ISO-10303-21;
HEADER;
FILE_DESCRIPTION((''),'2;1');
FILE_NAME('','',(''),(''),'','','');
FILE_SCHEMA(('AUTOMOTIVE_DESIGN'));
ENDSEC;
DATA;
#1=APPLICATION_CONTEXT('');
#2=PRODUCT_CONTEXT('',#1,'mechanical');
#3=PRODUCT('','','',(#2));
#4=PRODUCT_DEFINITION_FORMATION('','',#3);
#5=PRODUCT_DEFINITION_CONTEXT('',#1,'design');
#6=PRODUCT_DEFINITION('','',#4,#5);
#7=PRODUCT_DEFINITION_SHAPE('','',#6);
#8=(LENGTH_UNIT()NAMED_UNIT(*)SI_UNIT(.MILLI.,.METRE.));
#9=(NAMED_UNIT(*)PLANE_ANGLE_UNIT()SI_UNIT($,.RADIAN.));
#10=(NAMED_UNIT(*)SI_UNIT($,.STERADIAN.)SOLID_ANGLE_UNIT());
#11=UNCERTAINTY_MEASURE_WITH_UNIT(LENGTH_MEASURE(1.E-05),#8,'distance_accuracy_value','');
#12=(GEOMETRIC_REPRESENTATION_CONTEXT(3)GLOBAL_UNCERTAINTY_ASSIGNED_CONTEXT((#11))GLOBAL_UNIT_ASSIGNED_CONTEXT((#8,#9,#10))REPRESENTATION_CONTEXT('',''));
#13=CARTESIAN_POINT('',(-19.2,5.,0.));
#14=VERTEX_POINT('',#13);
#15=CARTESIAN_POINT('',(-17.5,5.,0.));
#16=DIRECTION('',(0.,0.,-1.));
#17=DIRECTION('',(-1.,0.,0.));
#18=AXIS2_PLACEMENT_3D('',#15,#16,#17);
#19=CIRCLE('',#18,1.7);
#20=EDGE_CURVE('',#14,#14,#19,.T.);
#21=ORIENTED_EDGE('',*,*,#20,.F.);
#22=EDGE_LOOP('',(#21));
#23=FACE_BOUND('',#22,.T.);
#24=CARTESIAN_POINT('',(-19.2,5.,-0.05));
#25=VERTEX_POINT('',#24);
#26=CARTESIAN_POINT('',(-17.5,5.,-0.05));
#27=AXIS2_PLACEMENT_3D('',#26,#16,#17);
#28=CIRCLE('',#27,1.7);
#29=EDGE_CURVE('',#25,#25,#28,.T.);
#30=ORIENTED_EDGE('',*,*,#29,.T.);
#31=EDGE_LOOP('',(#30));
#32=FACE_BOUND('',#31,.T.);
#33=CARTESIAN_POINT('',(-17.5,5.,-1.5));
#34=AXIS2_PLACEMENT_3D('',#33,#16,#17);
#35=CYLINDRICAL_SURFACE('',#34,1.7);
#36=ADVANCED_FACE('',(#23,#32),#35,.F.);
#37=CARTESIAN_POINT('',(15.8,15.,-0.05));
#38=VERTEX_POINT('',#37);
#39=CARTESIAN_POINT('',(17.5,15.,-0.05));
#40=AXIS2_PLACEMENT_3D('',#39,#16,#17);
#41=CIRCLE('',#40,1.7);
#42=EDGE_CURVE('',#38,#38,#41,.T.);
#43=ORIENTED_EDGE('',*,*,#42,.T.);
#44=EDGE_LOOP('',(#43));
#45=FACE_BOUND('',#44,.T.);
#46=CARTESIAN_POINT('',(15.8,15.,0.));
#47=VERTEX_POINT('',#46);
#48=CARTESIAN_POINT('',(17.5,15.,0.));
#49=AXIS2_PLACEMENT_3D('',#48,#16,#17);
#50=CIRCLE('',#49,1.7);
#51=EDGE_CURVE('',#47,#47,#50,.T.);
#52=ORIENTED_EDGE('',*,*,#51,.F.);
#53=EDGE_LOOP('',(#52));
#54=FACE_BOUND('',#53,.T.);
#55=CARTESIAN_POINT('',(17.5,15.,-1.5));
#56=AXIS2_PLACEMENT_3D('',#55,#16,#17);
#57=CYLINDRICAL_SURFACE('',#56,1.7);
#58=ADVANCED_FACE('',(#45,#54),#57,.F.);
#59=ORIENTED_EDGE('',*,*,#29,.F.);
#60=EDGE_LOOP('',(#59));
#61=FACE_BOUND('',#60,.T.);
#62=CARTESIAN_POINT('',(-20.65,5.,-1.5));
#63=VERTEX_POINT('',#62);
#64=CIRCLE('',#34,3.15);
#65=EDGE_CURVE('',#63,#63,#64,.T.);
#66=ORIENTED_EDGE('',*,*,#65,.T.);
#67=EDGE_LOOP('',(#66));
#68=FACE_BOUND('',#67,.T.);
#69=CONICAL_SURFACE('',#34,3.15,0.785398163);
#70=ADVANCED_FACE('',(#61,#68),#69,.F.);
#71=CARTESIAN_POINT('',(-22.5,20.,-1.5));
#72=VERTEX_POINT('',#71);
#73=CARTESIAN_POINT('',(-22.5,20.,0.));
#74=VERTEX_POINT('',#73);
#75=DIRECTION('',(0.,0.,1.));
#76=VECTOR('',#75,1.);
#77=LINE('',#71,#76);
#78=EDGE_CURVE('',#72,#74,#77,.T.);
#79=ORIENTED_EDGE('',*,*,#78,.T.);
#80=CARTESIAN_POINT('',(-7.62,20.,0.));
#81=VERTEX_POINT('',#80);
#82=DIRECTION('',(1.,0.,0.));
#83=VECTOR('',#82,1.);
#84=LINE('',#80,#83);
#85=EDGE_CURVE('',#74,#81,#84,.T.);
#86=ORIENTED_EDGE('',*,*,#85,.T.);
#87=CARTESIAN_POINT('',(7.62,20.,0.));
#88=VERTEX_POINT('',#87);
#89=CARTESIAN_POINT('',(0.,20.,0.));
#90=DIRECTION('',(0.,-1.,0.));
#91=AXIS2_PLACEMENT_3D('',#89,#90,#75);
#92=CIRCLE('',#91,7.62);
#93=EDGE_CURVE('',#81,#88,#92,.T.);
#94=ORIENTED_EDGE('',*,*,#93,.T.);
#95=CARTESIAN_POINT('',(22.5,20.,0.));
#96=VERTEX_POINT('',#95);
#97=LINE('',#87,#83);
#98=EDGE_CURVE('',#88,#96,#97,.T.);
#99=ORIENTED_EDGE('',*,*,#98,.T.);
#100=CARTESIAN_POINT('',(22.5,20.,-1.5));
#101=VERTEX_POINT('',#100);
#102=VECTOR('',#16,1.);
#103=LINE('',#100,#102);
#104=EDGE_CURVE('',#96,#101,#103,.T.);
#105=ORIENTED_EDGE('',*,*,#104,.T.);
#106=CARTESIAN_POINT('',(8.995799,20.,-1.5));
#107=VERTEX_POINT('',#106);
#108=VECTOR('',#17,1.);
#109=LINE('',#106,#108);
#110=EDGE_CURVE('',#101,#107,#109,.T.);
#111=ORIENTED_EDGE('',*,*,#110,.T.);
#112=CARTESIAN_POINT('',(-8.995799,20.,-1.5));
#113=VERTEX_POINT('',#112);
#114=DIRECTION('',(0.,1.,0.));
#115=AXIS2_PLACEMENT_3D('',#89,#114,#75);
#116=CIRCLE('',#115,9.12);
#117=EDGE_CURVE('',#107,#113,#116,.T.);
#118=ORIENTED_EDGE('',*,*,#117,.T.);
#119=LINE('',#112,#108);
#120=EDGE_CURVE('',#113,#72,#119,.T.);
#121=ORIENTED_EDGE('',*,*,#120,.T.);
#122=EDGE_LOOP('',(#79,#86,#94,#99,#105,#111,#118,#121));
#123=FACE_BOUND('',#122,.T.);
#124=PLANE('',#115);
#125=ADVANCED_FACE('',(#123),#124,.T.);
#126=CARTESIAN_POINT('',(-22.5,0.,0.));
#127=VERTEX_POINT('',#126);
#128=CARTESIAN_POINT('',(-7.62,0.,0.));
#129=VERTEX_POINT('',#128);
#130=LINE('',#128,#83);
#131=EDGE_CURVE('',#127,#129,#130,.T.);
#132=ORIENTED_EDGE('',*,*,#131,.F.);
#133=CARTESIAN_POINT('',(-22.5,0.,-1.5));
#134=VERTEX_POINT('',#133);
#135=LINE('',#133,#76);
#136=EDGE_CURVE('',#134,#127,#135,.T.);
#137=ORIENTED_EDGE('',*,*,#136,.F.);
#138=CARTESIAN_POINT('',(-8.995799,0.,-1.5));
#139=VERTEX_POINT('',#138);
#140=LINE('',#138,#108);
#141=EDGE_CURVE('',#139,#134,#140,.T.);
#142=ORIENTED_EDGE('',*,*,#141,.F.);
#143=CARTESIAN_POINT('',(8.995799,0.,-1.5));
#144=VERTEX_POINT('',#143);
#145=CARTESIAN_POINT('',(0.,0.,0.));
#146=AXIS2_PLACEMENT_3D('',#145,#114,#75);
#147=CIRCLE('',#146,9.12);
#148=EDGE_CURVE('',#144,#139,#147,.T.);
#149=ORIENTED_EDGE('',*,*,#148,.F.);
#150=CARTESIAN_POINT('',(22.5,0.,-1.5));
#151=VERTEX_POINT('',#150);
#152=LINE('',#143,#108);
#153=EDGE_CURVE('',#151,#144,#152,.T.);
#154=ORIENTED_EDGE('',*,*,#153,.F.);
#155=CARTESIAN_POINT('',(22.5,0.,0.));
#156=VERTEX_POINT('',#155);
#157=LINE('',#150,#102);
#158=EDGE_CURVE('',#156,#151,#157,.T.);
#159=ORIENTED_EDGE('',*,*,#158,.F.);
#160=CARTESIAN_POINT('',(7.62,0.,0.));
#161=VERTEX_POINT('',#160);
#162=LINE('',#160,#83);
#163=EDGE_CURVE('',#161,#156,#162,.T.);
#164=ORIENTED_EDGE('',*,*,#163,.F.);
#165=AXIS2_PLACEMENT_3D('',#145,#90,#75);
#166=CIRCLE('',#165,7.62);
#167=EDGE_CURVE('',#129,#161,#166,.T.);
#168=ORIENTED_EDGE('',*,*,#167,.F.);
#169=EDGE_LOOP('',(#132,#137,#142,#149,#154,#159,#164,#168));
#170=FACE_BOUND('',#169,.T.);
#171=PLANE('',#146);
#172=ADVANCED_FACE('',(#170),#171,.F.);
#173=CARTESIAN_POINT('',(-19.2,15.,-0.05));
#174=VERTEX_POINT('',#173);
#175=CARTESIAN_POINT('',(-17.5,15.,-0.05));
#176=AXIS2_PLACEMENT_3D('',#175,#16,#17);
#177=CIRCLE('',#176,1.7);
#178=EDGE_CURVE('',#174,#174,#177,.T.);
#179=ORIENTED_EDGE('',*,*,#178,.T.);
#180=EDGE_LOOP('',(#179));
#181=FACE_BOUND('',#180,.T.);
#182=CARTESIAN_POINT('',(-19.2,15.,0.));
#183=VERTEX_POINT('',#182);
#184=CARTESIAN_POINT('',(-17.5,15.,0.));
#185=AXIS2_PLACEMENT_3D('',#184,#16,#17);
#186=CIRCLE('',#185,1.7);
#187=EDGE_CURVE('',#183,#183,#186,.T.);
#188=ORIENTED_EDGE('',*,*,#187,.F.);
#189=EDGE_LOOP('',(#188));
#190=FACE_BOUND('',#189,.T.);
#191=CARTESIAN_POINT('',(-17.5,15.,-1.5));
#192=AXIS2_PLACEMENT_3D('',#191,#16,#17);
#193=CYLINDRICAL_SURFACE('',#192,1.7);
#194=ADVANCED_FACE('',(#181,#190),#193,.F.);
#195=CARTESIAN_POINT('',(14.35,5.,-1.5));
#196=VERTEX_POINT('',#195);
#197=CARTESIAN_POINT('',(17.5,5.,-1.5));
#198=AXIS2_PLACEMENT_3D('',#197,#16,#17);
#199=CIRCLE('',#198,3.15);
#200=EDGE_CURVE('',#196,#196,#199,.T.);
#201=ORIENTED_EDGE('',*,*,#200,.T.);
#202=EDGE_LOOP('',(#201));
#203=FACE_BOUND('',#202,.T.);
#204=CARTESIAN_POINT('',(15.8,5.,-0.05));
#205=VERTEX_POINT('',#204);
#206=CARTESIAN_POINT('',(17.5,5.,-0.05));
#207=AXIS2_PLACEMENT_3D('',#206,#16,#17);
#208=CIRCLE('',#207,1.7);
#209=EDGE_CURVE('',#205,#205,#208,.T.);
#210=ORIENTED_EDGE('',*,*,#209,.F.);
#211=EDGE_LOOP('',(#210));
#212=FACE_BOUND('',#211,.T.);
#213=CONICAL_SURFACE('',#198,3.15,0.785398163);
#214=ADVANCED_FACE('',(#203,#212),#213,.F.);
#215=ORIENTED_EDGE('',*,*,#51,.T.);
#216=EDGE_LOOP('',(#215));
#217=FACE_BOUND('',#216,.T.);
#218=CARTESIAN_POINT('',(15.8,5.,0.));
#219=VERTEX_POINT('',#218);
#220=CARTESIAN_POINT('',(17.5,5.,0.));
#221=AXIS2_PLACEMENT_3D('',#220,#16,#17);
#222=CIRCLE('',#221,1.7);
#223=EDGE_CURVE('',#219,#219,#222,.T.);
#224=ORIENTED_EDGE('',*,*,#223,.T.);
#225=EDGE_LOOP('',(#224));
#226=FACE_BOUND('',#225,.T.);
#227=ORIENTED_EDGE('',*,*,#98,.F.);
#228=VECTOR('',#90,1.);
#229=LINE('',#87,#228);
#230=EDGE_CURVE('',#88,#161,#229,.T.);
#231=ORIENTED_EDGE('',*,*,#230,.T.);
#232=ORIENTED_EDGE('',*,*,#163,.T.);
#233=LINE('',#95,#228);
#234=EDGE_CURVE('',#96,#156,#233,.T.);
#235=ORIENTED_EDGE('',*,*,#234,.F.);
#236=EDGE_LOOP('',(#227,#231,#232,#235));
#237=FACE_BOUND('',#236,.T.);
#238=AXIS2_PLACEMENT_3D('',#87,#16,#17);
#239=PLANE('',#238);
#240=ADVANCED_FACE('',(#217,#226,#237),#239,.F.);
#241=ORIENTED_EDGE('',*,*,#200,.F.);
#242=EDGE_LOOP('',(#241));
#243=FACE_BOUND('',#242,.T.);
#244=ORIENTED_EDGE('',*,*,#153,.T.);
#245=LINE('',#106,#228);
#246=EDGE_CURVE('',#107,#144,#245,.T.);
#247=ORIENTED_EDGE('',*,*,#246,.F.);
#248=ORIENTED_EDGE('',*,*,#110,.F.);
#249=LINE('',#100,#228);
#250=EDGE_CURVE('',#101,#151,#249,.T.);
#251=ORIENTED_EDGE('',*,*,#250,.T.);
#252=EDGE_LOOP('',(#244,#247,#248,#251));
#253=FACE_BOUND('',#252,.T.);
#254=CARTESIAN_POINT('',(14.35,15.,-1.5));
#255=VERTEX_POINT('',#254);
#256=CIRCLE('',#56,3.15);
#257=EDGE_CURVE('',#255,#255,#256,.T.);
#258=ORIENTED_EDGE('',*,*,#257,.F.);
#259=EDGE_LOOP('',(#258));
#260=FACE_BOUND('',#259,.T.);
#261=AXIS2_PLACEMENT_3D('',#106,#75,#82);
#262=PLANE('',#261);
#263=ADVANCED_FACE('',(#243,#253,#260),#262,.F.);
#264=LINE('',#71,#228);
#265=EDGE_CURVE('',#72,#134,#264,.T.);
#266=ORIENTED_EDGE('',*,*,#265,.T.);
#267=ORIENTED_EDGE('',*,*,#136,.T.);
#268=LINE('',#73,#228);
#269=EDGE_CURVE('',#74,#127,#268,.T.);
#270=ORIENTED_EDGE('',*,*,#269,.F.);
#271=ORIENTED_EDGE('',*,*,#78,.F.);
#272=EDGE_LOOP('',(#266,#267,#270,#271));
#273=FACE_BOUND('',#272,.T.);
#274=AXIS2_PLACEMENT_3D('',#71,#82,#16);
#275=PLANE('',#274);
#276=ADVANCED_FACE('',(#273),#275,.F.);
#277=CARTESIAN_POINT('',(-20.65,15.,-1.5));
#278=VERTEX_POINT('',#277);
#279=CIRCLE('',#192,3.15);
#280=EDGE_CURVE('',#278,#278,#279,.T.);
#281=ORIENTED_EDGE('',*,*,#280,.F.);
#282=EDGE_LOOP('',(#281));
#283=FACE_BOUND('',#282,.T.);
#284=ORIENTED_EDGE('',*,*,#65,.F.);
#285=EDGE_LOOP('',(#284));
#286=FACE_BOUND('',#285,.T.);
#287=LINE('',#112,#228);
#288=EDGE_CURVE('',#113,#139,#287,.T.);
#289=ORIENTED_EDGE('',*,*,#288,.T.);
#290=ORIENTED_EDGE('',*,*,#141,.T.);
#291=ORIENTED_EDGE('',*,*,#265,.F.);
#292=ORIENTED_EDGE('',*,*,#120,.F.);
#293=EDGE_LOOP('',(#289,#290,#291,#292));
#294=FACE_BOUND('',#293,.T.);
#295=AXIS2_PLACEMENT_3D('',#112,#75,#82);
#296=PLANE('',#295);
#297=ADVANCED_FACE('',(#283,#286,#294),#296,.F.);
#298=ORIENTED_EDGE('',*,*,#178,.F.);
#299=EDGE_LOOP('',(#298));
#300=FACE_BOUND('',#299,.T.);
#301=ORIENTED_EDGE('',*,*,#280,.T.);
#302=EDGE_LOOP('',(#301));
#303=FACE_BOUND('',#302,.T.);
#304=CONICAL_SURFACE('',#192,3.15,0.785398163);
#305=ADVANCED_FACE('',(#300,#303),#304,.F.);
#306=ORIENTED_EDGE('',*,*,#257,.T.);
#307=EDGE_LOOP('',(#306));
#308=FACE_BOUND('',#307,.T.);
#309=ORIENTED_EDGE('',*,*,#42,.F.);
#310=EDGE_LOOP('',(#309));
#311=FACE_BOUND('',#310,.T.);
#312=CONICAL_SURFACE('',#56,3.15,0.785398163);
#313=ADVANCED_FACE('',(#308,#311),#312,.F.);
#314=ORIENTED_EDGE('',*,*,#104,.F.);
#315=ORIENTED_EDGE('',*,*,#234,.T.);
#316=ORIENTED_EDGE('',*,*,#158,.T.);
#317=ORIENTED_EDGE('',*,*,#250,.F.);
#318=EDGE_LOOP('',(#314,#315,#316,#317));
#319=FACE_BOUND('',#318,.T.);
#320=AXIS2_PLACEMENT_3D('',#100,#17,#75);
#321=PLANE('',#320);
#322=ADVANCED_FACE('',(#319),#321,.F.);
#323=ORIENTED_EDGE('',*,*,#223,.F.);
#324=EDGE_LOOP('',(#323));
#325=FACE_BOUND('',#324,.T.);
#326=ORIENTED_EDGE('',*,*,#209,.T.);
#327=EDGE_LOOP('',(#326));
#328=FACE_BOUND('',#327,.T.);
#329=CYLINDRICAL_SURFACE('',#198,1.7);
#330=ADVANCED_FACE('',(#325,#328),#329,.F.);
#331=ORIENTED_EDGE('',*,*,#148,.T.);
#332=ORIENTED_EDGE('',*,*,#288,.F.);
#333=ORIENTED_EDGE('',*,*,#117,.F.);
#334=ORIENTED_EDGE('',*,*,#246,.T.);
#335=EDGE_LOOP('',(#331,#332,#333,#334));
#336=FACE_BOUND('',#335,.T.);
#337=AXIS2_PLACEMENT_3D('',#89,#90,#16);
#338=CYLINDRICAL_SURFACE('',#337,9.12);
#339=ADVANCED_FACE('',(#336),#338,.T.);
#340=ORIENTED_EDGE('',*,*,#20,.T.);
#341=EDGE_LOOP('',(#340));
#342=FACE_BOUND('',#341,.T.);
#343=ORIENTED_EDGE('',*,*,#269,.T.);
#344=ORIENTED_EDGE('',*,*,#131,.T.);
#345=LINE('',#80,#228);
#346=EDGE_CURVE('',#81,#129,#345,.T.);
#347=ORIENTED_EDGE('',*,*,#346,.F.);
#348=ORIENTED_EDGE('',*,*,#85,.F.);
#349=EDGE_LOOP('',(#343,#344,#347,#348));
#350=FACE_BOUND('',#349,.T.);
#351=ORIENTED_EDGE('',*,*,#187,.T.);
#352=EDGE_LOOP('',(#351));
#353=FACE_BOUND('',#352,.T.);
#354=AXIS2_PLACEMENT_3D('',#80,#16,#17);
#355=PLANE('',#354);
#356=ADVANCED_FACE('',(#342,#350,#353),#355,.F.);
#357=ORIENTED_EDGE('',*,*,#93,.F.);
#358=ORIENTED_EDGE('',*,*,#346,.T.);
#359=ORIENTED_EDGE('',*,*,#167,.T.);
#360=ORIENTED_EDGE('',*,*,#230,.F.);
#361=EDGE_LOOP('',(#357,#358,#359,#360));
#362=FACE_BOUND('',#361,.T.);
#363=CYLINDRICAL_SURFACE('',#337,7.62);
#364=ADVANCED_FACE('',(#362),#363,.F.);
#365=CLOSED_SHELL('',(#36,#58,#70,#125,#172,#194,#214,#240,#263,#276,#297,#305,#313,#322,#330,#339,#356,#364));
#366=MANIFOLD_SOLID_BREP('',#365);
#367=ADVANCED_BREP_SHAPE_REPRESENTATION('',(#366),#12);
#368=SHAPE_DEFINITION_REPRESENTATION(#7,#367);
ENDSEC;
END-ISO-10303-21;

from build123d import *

# Parameters (mm, degrees)
BOSS_EXTRUDE1_DEPTH                          = 20
CSK_FOR_M3_COUNTERSUNK_FLAT_HEAD_SCR_2_COUNT = 2
CSK_FOR_M3_COUNTERSUNK_FLAT_HEAD_SCR_2_PITCH = 35
CSK_FOR_M3_COUNTERSUNK_FLAT_HEAD_SCR_3_COUNT = 2
CSK_FOR_M3_COUNTERSUNK_FLAT_HEAD_SCR_3_PITCH = 10
CSK_FOR_M3_COUNTERSUNK_FLAT_HEAD_SCR_4_COUNT = 2
CSK_FOR_M3_COUNTERSUNK_FLAT_HEAD_SCR_4_PITCH = 36.400549446


with BuildPart() as part:
    # Sketch1 → Boss-Extrude1 (new body)
    with BuildSketch(Plane(origin=(0, 0, 0), x_dir=(1, 0, 0), z_dir=(0, 1, 0))):
        with BuildLine():
            Line((-7.62, 0), (-22.5, 0))
            Line((-22.5, 0), (-22.5, 1.5))
            Line((-22.5, 1.5), (-8.99579902, 1.5))
            ThreePointArc((-8.99579902, 1.5), (0, 9.12), (8.99579902, 1.5))
            Line((8.99579902, 1.5), (22.5, 1.5))
            Line((22.5, 1.5), (22.5, 0))
            Line((22.5, 0), (7.62, 0))
            ThreePointArc((7.62, 0), (0, 7.62), (-7.62, 0))
        make_face()
    extrude(amount=BOSS_EXTRUDE1_DEPTH)

    # Sketch3 → CSK for M3 Countersunk Flat Head Screw1 (revolve, cut)
    with BuildSketch(Plane(origin=(17.5, 5, -1.5), x_dir=(0, 1, 0), z_dir=(1, 0, 0))):
        Polygon((0, 0), (0, 1.5), (1.7, 1.5), (1.7, 1.45), (3.15, 0), align=None)
    csk_for_m3_countersunk_flat_head_screw1 = revolve(axis=Axis((17.5, 5, -7.85), (0, 0, 1)), mode=Mode.SUBTRACT)

    # CSK for M3 Countersunk Flat Head Scr 2: CSK for M3 Countersunk Flat Head Screw1 ×2
    with Locations(*[(-i * CSK_FOR_M3_COUNTERSUNK_FLAT_HEAD_SCR_2_PITCH, 0, 0) for i in range(1, CSK_FOR_M3_COUNTERSUNK_FLAT_HEAD_SCR_2_COUNT)]):
        add(csk_for_m3_countersunk_flat_head_screw1, mode=Mode.SUBTRACT)

    # CSK for M3 Countersunk Flat Head Scr 3: CSK for M3 Countersunk Flat Head Screw1 ×2
    with Locations(*[(0, i * CSK_FOR_M3_COUNTERSUNK_FLAT_HEAD_SCR_3_PITCH, 0) for i in range(1, CSK_FOR_M3_COUNTERSUNK_FLAT_HEAD_SCR_3_COUNT)]):
        add(csk_for_m3_countersunk_flat_head_screw1, mode=Mode.SUBTRACT)

    # CSK for M3 Countersunk Flat Head Scr 4: CSK for M3 Countersunk Flat Head Screw1 ×2
    with Locations(*[Vector(-0.9615239476408232, 0.27472112789737807, 0) * (i * CSK_FOR_M3_COUNTERSUNK_FLAT_HEAD_SCR_4_PITCH) for i in range(1, CSK_FOR_M3_COUNTERSUNK_FLAT_HEAD_SCR_4_COUNT)]):
        add(csk_for_m3_countersunk_flat_head_screw1, mode=Mode.SUBTRACT)


solid = part.part
